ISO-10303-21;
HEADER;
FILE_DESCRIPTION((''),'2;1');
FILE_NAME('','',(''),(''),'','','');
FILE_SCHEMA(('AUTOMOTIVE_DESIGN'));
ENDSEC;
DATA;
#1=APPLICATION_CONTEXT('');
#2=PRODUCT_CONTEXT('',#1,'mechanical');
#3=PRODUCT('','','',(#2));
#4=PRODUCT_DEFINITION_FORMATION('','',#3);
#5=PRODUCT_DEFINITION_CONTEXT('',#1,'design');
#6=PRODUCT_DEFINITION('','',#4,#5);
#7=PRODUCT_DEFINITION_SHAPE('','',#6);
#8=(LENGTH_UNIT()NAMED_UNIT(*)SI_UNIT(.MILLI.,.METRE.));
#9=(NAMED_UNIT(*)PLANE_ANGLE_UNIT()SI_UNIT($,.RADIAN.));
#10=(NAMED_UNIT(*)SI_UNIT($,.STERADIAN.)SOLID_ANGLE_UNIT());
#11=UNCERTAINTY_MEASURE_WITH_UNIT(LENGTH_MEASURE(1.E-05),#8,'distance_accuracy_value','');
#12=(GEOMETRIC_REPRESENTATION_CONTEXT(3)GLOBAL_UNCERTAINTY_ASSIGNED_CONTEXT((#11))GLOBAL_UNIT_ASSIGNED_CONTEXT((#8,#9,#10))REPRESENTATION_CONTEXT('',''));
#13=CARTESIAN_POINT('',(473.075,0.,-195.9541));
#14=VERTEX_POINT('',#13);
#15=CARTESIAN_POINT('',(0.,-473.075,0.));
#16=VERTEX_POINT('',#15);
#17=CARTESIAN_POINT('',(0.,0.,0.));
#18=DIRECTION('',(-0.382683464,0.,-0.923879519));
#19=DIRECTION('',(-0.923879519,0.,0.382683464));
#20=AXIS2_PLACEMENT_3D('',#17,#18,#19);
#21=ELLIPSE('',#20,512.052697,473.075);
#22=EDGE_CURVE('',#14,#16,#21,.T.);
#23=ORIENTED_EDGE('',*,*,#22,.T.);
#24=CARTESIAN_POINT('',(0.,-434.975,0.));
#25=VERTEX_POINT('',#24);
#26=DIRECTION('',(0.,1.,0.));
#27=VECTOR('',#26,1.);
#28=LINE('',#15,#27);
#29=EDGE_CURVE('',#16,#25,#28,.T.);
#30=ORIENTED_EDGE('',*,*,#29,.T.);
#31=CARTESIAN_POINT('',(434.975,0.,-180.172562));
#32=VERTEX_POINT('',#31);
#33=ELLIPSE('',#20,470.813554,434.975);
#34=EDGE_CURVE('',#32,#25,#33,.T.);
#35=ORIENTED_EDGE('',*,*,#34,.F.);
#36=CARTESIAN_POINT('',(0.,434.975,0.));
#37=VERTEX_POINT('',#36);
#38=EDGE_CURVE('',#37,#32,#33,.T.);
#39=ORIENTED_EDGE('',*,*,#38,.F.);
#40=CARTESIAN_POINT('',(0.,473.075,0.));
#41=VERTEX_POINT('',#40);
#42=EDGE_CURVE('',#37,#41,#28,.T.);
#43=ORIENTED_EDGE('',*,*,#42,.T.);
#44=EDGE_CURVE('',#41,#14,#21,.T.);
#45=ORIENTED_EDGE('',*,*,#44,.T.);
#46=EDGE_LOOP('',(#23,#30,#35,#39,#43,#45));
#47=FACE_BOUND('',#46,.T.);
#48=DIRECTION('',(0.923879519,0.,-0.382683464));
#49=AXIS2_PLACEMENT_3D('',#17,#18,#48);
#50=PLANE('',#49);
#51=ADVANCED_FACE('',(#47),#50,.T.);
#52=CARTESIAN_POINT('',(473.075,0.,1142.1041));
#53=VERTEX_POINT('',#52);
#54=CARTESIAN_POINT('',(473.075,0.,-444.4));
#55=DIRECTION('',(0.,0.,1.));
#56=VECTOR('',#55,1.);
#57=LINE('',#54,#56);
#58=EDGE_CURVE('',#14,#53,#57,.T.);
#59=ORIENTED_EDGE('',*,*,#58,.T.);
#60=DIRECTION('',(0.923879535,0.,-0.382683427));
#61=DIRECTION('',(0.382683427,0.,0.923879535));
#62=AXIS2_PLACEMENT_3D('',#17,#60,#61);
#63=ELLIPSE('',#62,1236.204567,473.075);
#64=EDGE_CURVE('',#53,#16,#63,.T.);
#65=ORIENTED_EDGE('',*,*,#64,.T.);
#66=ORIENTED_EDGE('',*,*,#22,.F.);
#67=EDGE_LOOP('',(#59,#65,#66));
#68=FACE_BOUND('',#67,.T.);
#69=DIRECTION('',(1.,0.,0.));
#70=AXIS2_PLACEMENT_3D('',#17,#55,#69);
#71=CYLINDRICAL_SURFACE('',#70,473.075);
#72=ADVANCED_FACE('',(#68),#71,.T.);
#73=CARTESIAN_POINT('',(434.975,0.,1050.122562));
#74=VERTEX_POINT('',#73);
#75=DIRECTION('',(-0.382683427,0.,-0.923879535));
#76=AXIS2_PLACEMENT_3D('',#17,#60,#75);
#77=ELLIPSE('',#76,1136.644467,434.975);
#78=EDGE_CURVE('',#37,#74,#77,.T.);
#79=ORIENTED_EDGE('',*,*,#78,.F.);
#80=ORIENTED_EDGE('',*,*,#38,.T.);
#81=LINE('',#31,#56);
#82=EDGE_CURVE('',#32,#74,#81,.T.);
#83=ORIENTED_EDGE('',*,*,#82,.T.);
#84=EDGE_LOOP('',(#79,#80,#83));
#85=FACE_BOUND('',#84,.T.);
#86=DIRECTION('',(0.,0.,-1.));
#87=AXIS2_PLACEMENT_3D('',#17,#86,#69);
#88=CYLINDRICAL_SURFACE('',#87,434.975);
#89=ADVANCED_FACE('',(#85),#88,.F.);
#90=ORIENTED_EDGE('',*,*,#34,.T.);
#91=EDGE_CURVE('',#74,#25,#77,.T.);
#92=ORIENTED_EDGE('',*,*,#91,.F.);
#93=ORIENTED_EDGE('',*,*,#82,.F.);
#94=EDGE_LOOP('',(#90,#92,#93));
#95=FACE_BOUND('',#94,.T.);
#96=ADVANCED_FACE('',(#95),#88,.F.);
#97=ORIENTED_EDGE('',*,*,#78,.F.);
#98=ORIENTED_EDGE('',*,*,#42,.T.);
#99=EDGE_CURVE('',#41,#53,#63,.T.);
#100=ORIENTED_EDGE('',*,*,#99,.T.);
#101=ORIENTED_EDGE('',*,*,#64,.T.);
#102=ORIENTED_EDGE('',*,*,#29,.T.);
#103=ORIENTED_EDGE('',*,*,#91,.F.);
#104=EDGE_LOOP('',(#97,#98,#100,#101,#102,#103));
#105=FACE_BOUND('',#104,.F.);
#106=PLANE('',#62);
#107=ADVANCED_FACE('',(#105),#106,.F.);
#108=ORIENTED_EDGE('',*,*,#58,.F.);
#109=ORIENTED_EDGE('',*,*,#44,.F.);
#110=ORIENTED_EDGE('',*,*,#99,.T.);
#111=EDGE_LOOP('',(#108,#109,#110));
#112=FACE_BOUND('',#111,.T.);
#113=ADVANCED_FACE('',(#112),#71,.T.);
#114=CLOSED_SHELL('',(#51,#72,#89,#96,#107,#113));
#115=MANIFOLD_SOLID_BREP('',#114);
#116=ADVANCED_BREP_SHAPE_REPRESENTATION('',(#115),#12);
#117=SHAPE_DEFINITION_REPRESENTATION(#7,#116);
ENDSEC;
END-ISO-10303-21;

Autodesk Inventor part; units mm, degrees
ref_plane "YZ Plane" through (0, 0, 0) normal (1, 0, 0) x (0, 1, 0)
ref_plane "XZ Plane" through (0, 0, 0) normal (0, 1, 0) x (-1, 0, 0)
ref_plane "XY Plane" through (0, 0, 0) normal (0, 0, 1) x (1, 0, 0)
sketch "Sketch1" plane through (0, 0, 0) normal (0, 0, 1) x (1, 0, 0)
  circle A0 centre (0, 0) radius 434.975
  circle A1 centre (0, 0) radius 473.075
  circle A2 centre (0, 0) radius 436.5625
  dimension "d0" = 869.95
  dimension "d1" = 946.15
  dimension "d10" = 873.125
extrude "Extrusion1" add sketch "Sketch1" along normal blind 1294.4 and the other way blind 444.4 contours A1 | A2
sketch "Sketch2" plane through (0, 0, 0) normal (0, 1, 0) x (-1, 0, 0)
  line L0 (0, 0) -> (-473.075, 1142.1041)
  line L1 (-473.075, -444.4) -> (-473.075, 1294.4) projected
  line L2 (-473.075, 1142.1041) -> (-473.075, -195.9541)
  line L3 (-473.075, -444.4) -> (-473.075, 1294.4) projected
  line L4 (0, 0) -> (-473.075, -195.9541)
  dimension "d79" = 22.5
extrude "Extrusion2" cut sketch "Sketch2" along normal through all both and the other way through all keep common part
equation "\"BendRadius\" = Thickness"
equation "\"BendReliefWidth\" = Thickness"
equation "\"BendReliefDepth\" = 0.5 * Thickness"
equation "\"CornerReliefSize\" = 4 * Thickness"
equation "\"MinimumRemnant\" = 2 * Thickness"
equation "\"TransitionRadius\" = BendRadius"
equation "\"JacobiRadiusSize\" = Thickness"
equation "\"GapSize\" = Thickness"
equation "\"Thickness\" = 38.1"
properties part number "A1-19037-200-01 Trunk shell" material "Steel, Mild"
